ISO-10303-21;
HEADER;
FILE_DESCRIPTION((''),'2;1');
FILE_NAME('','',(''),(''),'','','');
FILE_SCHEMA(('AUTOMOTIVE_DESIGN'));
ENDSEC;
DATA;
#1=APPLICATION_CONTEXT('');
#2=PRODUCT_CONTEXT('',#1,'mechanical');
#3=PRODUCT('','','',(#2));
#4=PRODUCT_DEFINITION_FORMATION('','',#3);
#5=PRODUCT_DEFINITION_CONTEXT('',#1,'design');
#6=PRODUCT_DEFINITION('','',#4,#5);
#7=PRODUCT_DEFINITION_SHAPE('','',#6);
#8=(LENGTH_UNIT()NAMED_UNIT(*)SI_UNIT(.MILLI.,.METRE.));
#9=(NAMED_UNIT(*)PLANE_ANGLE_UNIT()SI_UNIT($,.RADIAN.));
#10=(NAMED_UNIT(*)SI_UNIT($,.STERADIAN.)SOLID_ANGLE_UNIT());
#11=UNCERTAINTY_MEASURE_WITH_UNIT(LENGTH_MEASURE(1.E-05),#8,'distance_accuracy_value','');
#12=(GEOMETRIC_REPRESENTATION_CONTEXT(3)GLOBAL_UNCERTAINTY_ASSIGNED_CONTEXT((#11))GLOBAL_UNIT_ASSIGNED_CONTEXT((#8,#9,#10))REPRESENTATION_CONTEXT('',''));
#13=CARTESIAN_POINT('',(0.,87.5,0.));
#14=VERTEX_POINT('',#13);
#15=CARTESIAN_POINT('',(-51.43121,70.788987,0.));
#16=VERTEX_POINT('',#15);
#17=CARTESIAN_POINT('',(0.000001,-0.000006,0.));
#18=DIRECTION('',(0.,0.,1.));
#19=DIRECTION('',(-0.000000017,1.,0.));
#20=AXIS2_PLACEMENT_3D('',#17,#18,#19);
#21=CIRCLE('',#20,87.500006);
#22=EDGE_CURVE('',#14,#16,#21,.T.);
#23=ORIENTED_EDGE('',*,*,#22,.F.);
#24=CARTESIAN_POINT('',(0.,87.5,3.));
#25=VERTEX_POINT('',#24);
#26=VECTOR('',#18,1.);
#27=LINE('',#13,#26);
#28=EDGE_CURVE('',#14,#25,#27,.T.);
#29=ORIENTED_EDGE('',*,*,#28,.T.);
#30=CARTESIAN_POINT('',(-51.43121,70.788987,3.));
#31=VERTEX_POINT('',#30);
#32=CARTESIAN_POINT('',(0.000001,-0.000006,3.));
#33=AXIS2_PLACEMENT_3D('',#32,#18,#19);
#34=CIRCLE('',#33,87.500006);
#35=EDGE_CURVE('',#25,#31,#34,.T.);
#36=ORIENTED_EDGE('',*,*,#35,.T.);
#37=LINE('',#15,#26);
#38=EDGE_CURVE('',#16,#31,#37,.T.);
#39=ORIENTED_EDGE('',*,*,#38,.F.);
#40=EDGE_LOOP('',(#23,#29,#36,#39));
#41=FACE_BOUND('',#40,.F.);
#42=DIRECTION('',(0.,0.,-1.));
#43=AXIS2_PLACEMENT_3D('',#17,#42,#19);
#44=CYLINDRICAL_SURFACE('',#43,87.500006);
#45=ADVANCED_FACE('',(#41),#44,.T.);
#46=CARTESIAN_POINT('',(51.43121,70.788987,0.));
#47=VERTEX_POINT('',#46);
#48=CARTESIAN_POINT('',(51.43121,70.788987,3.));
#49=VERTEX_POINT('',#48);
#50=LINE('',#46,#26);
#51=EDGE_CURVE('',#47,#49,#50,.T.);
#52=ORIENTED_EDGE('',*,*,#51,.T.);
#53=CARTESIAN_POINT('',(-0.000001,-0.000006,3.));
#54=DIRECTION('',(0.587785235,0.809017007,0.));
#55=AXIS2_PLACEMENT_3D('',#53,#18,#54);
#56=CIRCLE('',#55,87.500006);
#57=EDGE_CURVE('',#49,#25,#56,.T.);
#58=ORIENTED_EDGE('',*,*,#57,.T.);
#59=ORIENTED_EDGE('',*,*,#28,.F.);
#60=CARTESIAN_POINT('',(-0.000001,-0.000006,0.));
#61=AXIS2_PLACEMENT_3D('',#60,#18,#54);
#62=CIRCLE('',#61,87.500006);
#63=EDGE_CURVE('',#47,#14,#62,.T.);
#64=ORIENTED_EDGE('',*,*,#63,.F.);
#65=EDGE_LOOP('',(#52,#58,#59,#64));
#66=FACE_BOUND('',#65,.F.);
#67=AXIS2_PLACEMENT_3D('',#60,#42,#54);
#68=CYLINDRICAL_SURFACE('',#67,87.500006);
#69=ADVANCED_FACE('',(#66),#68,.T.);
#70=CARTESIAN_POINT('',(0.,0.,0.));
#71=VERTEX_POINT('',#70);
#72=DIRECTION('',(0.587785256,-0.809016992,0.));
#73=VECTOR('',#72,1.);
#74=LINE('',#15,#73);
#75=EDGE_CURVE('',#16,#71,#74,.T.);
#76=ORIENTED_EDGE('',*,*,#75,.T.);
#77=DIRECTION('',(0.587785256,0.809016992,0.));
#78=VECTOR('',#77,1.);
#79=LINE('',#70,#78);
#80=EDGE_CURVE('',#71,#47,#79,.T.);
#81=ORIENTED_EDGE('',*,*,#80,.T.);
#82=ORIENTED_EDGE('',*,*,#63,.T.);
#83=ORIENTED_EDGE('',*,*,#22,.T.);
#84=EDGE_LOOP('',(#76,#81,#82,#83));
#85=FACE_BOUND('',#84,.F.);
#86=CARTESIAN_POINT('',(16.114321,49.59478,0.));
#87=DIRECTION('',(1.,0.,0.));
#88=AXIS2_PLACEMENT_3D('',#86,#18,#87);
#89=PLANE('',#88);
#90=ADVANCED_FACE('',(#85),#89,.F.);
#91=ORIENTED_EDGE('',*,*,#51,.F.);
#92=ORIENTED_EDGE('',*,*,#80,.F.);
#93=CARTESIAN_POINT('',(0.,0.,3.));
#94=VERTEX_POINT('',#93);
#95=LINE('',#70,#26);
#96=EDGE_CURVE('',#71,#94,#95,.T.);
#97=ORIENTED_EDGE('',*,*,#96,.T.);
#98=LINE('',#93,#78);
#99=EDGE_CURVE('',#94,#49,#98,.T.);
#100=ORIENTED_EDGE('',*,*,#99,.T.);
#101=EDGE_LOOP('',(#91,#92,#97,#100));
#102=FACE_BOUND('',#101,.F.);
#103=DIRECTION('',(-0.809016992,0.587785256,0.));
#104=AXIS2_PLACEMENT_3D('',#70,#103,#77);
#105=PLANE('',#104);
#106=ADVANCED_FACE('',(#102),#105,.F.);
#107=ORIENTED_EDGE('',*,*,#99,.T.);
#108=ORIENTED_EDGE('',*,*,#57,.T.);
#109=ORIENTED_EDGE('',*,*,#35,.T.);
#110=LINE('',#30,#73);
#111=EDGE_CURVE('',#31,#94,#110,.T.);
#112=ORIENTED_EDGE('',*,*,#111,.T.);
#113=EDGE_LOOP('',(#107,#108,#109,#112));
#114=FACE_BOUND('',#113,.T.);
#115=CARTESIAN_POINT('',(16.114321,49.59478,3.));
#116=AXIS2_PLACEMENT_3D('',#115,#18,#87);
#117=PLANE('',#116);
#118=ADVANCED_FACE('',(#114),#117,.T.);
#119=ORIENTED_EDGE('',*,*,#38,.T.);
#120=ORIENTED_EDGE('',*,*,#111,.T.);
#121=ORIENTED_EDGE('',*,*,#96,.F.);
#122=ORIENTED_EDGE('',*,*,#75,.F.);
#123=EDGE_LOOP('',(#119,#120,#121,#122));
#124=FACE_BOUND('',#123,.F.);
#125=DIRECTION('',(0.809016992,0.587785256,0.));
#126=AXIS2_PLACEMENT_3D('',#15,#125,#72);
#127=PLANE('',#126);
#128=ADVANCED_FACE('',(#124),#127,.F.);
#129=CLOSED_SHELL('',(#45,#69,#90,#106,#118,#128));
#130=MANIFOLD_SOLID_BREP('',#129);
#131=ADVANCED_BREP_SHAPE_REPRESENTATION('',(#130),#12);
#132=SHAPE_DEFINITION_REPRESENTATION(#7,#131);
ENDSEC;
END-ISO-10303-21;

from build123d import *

# Parameters (mm, degrees)
F1_DEPTH = 3


with BuildPart() as f1:
    # F0 (on Top) → F1 (new body)
    with BuildSketch(Plane.XY):
        with BuildLine():
            Line((0, 0), (51.43121, 70.788987))
            ThreePointArc((51.43121, 70.788987), (27.038987, 83.217445), (0, 87.5))
            Line((0, 87.5), (0, 0))
        make_face()
        with BuildLine():
            Line((0, 0), (0, 87.5))
            ThreePointArc((0, 87.5), (-27.038987, 83.217445), (-51.43121, 70.788987))
            Line((-51.43121, 70.788987), (0, 0))
        make_face()
    extrude(amount=F1_DEPTH)


solid = f1.part
